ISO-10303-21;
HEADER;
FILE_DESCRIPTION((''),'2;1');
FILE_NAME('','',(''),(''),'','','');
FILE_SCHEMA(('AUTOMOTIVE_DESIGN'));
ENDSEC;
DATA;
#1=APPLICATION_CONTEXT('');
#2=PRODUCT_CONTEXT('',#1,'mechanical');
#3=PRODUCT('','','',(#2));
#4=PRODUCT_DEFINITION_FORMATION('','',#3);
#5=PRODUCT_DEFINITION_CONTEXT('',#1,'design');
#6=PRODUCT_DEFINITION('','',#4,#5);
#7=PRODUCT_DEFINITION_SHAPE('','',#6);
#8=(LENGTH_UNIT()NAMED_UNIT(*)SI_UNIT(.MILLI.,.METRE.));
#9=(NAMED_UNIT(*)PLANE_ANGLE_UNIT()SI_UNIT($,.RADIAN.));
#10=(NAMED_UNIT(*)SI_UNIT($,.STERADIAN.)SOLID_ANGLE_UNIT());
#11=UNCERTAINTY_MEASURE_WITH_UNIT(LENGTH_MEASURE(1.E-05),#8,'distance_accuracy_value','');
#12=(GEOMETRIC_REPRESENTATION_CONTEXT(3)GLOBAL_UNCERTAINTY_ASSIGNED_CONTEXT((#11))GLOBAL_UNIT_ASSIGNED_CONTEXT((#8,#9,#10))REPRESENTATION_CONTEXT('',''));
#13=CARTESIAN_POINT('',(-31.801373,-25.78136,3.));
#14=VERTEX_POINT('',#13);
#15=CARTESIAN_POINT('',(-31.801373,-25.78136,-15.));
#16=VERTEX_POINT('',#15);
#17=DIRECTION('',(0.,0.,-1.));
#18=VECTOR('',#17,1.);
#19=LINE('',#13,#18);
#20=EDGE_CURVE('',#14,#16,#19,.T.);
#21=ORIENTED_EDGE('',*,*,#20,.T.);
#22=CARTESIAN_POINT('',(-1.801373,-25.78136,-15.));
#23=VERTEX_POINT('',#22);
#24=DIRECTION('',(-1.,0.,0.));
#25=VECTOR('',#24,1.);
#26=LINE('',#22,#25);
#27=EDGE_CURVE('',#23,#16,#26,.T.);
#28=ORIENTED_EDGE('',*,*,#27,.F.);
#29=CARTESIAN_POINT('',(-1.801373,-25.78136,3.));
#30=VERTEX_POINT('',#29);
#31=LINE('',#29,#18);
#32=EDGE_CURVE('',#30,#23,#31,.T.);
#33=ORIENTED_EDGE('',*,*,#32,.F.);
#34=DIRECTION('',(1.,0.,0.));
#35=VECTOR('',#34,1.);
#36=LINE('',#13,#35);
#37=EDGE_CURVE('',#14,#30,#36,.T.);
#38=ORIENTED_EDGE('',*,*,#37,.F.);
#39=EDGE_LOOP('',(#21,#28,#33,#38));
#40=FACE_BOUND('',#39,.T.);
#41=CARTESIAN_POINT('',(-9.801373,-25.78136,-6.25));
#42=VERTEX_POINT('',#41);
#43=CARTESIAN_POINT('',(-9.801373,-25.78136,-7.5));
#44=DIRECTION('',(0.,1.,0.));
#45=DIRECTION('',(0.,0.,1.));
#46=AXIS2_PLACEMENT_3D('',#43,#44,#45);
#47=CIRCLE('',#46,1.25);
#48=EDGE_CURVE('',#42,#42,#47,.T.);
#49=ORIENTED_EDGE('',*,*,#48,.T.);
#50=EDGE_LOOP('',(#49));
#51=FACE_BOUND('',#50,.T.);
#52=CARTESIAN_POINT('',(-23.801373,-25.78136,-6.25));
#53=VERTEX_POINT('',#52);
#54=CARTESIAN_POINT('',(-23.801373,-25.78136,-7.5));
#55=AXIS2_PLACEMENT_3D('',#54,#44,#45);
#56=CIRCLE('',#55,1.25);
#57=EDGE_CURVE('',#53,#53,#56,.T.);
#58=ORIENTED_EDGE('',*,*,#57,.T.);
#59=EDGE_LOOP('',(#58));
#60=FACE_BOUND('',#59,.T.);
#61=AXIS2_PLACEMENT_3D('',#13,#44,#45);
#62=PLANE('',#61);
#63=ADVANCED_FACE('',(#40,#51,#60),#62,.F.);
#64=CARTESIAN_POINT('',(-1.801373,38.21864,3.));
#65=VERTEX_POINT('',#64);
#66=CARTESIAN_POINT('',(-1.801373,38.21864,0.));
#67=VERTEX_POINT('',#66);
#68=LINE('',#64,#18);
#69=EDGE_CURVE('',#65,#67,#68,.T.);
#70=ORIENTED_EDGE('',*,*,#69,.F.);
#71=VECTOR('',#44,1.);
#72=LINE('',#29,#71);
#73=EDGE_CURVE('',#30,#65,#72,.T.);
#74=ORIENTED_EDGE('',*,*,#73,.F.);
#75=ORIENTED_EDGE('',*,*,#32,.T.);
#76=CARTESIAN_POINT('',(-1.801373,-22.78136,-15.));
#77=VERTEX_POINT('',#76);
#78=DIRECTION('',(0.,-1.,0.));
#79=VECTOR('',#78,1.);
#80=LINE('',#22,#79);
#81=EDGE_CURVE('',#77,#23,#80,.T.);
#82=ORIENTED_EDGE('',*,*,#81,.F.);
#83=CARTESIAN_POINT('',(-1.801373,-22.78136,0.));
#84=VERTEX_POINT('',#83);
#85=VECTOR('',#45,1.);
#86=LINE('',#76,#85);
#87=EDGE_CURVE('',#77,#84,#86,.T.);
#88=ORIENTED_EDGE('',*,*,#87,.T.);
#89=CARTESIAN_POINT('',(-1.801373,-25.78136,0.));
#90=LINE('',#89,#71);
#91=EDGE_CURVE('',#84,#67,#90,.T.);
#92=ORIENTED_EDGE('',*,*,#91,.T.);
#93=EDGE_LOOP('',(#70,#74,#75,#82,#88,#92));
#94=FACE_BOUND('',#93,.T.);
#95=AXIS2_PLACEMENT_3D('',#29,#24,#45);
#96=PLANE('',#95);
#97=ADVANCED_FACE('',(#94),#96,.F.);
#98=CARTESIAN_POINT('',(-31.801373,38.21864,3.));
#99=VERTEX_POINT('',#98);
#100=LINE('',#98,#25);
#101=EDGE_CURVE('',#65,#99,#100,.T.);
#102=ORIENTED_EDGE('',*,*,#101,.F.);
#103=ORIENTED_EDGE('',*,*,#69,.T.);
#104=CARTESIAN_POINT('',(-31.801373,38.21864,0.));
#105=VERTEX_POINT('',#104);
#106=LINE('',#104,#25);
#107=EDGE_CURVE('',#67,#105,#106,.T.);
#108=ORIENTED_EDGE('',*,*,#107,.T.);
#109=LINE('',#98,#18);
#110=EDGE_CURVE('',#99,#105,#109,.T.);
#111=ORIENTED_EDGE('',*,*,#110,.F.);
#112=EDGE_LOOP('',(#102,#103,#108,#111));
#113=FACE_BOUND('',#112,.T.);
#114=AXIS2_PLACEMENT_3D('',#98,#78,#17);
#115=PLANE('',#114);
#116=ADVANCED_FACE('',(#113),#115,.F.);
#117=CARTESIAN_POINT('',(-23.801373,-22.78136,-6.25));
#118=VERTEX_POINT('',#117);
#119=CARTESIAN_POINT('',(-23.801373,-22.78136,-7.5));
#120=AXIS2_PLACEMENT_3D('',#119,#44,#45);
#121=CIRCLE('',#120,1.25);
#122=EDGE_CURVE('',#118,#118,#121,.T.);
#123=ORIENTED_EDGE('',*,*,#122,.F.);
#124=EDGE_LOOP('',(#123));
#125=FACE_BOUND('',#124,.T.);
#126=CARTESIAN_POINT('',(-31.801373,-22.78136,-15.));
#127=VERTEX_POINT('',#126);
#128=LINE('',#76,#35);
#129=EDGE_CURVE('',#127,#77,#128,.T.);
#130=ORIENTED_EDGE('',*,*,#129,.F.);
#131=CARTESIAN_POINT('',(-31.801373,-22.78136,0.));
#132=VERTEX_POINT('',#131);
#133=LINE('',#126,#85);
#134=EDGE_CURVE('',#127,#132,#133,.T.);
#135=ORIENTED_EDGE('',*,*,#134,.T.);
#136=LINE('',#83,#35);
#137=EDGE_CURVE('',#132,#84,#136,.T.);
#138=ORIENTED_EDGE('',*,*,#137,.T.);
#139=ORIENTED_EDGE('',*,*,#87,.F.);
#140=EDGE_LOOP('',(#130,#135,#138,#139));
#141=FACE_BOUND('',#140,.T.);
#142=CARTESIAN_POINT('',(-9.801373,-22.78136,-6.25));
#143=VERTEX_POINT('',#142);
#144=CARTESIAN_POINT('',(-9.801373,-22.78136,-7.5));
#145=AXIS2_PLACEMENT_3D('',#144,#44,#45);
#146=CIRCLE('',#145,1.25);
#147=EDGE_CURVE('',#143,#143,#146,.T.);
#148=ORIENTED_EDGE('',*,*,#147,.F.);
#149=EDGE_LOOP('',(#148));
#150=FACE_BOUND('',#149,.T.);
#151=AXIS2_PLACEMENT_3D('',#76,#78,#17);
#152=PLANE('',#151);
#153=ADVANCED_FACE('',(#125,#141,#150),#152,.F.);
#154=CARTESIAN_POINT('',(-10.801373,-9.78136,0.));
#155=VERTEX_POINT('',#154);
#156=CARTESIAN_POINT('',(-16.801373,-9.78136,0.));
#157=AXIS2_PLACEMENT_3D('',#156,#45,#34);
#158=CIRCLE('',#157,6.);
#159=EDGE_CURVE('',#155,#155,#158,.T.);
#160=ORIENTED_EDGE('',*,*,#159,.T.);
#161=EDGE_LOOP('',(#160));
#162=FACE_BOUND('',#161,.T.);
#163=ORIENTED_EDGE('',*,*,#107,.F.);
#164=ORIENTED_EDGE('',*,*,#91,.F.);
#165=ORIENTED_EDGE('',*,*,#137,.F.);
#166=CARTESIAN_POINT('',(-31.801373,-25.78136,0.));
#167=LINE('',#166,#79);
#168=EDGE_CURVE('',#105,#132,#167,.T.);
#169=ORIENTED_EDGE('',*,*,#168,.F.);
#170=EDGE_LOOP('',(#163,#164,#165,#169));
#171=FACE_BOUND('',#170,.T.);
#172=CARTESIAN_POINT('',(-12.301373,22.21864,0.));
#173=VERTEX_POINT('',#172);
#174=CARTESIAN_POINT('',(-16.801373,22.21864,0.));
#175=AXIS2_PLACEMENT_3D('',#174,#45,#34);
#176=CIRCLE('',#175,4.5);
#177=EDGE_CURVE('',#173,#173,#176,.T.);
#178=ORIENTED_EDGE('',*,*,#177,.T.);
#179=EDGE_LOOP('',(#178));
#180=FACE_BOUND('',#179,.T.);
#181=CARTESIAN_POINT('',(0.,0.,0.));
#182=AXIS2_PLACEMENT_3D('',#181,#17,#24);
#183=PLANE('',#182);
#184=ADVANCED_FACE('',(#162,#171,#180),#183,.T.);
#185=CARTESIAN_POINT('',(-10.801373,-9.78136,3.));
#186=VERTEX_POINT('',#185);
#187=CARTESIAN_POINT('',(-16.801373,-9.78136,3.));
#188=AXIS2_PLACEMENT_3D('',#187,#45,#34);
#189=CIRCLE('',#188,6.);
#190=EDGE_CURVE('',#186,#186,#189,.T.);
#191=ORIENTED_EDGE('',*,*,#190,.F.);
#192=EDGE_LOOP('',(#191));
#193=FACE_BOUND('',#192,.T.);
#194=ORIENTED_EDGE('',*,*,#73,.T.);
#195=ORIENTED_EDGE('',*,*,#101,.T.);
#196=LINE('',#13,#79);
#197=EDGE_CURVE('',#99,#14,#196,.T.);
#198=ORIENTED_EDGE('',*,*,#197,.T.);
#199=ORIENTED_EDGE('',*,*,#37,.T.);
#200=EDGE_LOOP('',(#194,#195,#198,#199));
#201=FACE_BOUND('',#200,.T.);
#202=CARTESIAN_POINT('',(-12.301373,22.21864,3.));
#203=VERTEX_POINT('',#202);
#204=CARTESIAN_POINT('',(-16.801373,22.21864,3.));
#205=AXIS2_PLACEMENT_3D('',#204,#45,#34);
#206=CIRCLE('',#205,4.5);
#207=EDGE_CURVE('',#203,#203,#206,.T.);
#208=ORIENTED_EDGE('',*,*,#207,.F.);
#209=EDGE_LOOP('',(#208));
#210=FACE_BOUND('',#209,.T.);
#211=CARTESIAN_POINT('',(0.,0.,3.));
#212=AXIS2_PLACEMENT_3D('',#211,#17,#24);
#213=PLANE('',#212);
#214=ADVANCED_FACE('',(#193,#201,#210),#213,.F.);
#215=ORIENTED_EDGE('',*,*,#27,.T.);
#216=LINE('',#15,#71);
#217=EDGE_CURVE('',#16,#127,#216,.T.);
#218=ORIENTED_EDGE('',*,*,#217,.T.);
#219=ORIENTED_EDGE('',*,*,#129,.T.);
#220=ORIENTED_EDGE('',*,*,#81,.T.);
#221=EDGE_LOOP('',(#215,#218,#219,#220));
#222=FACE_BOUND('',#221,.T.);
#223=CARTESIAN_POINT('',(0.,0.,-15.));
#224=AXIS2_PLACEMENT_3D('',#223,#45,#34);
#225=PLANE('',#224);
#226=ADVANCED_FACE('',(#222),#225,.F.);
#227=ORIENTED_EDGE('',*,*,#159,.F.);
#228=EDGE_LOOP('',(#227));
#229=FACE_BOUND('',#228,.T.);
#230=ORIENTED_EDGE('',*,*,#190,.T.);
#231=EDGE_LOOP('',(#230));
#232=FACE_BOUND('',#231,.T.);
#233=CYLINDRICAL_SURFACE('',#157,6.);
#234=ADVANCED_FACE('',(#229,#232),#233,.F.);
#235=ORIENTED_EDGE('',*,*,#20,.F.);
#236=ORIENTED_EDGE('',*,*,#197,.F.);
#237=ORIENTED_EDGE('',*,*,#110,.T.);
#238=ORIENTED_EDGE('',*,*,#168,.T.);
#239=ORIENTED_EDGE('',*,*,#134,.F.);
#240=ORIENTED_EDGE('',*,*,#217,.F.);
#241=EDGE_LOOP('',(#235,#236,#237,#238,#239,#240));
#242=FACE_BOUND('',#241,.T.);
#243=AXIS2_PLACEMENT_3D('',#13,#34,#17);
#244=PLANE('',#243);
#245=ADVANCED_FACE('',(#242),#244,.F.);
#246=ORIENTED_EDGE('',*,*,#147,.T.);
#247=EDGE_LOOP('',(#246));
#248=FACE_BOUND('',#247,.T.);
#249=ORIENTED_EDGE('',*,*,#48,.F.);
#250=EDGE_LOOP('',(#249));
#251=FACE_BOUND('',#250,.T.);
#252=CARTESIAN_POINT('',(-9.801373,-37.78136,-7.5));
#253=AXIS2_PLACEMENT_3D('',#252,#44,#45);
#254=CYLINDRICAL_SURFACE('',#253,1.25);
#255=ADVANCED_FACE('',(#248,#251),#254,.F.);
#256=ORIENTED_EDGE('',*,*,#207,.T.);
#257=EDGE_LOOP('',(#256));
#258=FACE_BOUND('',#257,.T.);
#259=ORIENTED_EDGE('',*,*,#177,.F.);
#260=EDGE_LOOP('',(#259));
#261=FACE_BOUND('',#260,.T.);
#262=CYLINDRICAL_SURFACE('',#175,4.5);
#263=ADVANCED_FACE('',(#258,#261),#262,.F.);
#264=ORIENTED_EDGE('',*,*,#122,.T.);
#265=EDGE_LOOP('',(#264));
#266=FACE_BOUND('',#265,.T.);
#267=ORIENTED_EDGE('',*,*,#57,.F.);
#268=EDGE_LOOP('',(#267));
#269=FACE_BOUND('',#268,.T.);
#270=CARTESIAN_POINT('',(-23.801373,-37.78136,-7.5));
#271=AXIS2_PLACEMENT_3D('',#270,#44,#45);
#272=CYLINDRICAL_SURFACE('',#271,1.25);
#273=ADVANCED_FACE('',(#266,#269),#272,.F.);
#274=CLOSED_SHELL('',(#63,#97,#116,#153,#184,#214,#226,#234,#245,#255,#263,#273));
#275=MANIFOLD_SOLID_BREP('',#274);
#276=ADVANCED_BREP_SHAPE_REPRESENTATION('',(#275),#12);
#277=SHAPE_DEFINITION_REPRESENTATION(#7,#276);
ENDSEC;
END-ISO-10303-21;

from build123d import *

# Parameters (mm, degrees)
SKETCH1_W           = 30
SKETCH1_H           = 64
BOSS_EXTRUDE1_DEPTH = 3
SKETCH2_R           = 4.5
SKETCH2_R_2         = 6
CUT_EXTRUDE1_DEPTH  = 3
SKETCH4_W           = 30
SKETCH4_H           = 3
BOSS_EXTRUDE3_DEPTH = 15
SKETCH5_R           = 1.25
CUT_EXTRUDE2_DEPTH  = 15


with BuildPart() as part:
    # Sketch1 → Boss-Extrude1 (new body)
    with BuildSketch(Plane.XY):
        with Locations((-16.801372712, 6.218640229)):
            Rectangle(SKETCH1_W, SKETCH1_H)
    extrude(amount=BOSS_EXTRUDE1_DEPTH)

    # Sketch2 → Cut-Extrude1 (cut)
    with BuildSketch(Plane.XY.offset(3)):
        with Locations((-16.801372712, 22.218640229)):
            Circle(SKETCH2_R)
        with Locations((-16.801372712, -9.781359771)):
            Circle(SKETCH2_R_2)
    extrude(amount=-CUT_EXTRUDE1_DEPTH, mode=Mode.SUBTRACT)

    # Sketch4 → Boss-Extrude3 (add)
    with BuildSketch(Plane(origin=(0, 0, 0), x_dir=(-1, 0, 0), z_dir=(0, 0, -1))):
        with Locations((16.801372712, -24.281359771)):
            Rectangle(SKETCH4_W, SKETCH4_H)
    extrude(amount=BOSS_EXTRUDE3_DEPTH)

    # Sketch5 → Cut-Extrude2 (cut)
    with BuildSketch(Plane(origin=(0, -22.781359771, 0), x_dir=(1, 0, 0), z_dir=(0, 1, 0))):
        with Locations((-9.801372712, 7.5)):
            Circle(SKETCH5_R)
        with Locations((-23.801372712, 7.5)):
            Circle(SKETCH5_R)
    extrude(amount=-CUT_EXTRUDE2_DEPTH, mode=Mode.SUBTRACT)


solid = part.part
